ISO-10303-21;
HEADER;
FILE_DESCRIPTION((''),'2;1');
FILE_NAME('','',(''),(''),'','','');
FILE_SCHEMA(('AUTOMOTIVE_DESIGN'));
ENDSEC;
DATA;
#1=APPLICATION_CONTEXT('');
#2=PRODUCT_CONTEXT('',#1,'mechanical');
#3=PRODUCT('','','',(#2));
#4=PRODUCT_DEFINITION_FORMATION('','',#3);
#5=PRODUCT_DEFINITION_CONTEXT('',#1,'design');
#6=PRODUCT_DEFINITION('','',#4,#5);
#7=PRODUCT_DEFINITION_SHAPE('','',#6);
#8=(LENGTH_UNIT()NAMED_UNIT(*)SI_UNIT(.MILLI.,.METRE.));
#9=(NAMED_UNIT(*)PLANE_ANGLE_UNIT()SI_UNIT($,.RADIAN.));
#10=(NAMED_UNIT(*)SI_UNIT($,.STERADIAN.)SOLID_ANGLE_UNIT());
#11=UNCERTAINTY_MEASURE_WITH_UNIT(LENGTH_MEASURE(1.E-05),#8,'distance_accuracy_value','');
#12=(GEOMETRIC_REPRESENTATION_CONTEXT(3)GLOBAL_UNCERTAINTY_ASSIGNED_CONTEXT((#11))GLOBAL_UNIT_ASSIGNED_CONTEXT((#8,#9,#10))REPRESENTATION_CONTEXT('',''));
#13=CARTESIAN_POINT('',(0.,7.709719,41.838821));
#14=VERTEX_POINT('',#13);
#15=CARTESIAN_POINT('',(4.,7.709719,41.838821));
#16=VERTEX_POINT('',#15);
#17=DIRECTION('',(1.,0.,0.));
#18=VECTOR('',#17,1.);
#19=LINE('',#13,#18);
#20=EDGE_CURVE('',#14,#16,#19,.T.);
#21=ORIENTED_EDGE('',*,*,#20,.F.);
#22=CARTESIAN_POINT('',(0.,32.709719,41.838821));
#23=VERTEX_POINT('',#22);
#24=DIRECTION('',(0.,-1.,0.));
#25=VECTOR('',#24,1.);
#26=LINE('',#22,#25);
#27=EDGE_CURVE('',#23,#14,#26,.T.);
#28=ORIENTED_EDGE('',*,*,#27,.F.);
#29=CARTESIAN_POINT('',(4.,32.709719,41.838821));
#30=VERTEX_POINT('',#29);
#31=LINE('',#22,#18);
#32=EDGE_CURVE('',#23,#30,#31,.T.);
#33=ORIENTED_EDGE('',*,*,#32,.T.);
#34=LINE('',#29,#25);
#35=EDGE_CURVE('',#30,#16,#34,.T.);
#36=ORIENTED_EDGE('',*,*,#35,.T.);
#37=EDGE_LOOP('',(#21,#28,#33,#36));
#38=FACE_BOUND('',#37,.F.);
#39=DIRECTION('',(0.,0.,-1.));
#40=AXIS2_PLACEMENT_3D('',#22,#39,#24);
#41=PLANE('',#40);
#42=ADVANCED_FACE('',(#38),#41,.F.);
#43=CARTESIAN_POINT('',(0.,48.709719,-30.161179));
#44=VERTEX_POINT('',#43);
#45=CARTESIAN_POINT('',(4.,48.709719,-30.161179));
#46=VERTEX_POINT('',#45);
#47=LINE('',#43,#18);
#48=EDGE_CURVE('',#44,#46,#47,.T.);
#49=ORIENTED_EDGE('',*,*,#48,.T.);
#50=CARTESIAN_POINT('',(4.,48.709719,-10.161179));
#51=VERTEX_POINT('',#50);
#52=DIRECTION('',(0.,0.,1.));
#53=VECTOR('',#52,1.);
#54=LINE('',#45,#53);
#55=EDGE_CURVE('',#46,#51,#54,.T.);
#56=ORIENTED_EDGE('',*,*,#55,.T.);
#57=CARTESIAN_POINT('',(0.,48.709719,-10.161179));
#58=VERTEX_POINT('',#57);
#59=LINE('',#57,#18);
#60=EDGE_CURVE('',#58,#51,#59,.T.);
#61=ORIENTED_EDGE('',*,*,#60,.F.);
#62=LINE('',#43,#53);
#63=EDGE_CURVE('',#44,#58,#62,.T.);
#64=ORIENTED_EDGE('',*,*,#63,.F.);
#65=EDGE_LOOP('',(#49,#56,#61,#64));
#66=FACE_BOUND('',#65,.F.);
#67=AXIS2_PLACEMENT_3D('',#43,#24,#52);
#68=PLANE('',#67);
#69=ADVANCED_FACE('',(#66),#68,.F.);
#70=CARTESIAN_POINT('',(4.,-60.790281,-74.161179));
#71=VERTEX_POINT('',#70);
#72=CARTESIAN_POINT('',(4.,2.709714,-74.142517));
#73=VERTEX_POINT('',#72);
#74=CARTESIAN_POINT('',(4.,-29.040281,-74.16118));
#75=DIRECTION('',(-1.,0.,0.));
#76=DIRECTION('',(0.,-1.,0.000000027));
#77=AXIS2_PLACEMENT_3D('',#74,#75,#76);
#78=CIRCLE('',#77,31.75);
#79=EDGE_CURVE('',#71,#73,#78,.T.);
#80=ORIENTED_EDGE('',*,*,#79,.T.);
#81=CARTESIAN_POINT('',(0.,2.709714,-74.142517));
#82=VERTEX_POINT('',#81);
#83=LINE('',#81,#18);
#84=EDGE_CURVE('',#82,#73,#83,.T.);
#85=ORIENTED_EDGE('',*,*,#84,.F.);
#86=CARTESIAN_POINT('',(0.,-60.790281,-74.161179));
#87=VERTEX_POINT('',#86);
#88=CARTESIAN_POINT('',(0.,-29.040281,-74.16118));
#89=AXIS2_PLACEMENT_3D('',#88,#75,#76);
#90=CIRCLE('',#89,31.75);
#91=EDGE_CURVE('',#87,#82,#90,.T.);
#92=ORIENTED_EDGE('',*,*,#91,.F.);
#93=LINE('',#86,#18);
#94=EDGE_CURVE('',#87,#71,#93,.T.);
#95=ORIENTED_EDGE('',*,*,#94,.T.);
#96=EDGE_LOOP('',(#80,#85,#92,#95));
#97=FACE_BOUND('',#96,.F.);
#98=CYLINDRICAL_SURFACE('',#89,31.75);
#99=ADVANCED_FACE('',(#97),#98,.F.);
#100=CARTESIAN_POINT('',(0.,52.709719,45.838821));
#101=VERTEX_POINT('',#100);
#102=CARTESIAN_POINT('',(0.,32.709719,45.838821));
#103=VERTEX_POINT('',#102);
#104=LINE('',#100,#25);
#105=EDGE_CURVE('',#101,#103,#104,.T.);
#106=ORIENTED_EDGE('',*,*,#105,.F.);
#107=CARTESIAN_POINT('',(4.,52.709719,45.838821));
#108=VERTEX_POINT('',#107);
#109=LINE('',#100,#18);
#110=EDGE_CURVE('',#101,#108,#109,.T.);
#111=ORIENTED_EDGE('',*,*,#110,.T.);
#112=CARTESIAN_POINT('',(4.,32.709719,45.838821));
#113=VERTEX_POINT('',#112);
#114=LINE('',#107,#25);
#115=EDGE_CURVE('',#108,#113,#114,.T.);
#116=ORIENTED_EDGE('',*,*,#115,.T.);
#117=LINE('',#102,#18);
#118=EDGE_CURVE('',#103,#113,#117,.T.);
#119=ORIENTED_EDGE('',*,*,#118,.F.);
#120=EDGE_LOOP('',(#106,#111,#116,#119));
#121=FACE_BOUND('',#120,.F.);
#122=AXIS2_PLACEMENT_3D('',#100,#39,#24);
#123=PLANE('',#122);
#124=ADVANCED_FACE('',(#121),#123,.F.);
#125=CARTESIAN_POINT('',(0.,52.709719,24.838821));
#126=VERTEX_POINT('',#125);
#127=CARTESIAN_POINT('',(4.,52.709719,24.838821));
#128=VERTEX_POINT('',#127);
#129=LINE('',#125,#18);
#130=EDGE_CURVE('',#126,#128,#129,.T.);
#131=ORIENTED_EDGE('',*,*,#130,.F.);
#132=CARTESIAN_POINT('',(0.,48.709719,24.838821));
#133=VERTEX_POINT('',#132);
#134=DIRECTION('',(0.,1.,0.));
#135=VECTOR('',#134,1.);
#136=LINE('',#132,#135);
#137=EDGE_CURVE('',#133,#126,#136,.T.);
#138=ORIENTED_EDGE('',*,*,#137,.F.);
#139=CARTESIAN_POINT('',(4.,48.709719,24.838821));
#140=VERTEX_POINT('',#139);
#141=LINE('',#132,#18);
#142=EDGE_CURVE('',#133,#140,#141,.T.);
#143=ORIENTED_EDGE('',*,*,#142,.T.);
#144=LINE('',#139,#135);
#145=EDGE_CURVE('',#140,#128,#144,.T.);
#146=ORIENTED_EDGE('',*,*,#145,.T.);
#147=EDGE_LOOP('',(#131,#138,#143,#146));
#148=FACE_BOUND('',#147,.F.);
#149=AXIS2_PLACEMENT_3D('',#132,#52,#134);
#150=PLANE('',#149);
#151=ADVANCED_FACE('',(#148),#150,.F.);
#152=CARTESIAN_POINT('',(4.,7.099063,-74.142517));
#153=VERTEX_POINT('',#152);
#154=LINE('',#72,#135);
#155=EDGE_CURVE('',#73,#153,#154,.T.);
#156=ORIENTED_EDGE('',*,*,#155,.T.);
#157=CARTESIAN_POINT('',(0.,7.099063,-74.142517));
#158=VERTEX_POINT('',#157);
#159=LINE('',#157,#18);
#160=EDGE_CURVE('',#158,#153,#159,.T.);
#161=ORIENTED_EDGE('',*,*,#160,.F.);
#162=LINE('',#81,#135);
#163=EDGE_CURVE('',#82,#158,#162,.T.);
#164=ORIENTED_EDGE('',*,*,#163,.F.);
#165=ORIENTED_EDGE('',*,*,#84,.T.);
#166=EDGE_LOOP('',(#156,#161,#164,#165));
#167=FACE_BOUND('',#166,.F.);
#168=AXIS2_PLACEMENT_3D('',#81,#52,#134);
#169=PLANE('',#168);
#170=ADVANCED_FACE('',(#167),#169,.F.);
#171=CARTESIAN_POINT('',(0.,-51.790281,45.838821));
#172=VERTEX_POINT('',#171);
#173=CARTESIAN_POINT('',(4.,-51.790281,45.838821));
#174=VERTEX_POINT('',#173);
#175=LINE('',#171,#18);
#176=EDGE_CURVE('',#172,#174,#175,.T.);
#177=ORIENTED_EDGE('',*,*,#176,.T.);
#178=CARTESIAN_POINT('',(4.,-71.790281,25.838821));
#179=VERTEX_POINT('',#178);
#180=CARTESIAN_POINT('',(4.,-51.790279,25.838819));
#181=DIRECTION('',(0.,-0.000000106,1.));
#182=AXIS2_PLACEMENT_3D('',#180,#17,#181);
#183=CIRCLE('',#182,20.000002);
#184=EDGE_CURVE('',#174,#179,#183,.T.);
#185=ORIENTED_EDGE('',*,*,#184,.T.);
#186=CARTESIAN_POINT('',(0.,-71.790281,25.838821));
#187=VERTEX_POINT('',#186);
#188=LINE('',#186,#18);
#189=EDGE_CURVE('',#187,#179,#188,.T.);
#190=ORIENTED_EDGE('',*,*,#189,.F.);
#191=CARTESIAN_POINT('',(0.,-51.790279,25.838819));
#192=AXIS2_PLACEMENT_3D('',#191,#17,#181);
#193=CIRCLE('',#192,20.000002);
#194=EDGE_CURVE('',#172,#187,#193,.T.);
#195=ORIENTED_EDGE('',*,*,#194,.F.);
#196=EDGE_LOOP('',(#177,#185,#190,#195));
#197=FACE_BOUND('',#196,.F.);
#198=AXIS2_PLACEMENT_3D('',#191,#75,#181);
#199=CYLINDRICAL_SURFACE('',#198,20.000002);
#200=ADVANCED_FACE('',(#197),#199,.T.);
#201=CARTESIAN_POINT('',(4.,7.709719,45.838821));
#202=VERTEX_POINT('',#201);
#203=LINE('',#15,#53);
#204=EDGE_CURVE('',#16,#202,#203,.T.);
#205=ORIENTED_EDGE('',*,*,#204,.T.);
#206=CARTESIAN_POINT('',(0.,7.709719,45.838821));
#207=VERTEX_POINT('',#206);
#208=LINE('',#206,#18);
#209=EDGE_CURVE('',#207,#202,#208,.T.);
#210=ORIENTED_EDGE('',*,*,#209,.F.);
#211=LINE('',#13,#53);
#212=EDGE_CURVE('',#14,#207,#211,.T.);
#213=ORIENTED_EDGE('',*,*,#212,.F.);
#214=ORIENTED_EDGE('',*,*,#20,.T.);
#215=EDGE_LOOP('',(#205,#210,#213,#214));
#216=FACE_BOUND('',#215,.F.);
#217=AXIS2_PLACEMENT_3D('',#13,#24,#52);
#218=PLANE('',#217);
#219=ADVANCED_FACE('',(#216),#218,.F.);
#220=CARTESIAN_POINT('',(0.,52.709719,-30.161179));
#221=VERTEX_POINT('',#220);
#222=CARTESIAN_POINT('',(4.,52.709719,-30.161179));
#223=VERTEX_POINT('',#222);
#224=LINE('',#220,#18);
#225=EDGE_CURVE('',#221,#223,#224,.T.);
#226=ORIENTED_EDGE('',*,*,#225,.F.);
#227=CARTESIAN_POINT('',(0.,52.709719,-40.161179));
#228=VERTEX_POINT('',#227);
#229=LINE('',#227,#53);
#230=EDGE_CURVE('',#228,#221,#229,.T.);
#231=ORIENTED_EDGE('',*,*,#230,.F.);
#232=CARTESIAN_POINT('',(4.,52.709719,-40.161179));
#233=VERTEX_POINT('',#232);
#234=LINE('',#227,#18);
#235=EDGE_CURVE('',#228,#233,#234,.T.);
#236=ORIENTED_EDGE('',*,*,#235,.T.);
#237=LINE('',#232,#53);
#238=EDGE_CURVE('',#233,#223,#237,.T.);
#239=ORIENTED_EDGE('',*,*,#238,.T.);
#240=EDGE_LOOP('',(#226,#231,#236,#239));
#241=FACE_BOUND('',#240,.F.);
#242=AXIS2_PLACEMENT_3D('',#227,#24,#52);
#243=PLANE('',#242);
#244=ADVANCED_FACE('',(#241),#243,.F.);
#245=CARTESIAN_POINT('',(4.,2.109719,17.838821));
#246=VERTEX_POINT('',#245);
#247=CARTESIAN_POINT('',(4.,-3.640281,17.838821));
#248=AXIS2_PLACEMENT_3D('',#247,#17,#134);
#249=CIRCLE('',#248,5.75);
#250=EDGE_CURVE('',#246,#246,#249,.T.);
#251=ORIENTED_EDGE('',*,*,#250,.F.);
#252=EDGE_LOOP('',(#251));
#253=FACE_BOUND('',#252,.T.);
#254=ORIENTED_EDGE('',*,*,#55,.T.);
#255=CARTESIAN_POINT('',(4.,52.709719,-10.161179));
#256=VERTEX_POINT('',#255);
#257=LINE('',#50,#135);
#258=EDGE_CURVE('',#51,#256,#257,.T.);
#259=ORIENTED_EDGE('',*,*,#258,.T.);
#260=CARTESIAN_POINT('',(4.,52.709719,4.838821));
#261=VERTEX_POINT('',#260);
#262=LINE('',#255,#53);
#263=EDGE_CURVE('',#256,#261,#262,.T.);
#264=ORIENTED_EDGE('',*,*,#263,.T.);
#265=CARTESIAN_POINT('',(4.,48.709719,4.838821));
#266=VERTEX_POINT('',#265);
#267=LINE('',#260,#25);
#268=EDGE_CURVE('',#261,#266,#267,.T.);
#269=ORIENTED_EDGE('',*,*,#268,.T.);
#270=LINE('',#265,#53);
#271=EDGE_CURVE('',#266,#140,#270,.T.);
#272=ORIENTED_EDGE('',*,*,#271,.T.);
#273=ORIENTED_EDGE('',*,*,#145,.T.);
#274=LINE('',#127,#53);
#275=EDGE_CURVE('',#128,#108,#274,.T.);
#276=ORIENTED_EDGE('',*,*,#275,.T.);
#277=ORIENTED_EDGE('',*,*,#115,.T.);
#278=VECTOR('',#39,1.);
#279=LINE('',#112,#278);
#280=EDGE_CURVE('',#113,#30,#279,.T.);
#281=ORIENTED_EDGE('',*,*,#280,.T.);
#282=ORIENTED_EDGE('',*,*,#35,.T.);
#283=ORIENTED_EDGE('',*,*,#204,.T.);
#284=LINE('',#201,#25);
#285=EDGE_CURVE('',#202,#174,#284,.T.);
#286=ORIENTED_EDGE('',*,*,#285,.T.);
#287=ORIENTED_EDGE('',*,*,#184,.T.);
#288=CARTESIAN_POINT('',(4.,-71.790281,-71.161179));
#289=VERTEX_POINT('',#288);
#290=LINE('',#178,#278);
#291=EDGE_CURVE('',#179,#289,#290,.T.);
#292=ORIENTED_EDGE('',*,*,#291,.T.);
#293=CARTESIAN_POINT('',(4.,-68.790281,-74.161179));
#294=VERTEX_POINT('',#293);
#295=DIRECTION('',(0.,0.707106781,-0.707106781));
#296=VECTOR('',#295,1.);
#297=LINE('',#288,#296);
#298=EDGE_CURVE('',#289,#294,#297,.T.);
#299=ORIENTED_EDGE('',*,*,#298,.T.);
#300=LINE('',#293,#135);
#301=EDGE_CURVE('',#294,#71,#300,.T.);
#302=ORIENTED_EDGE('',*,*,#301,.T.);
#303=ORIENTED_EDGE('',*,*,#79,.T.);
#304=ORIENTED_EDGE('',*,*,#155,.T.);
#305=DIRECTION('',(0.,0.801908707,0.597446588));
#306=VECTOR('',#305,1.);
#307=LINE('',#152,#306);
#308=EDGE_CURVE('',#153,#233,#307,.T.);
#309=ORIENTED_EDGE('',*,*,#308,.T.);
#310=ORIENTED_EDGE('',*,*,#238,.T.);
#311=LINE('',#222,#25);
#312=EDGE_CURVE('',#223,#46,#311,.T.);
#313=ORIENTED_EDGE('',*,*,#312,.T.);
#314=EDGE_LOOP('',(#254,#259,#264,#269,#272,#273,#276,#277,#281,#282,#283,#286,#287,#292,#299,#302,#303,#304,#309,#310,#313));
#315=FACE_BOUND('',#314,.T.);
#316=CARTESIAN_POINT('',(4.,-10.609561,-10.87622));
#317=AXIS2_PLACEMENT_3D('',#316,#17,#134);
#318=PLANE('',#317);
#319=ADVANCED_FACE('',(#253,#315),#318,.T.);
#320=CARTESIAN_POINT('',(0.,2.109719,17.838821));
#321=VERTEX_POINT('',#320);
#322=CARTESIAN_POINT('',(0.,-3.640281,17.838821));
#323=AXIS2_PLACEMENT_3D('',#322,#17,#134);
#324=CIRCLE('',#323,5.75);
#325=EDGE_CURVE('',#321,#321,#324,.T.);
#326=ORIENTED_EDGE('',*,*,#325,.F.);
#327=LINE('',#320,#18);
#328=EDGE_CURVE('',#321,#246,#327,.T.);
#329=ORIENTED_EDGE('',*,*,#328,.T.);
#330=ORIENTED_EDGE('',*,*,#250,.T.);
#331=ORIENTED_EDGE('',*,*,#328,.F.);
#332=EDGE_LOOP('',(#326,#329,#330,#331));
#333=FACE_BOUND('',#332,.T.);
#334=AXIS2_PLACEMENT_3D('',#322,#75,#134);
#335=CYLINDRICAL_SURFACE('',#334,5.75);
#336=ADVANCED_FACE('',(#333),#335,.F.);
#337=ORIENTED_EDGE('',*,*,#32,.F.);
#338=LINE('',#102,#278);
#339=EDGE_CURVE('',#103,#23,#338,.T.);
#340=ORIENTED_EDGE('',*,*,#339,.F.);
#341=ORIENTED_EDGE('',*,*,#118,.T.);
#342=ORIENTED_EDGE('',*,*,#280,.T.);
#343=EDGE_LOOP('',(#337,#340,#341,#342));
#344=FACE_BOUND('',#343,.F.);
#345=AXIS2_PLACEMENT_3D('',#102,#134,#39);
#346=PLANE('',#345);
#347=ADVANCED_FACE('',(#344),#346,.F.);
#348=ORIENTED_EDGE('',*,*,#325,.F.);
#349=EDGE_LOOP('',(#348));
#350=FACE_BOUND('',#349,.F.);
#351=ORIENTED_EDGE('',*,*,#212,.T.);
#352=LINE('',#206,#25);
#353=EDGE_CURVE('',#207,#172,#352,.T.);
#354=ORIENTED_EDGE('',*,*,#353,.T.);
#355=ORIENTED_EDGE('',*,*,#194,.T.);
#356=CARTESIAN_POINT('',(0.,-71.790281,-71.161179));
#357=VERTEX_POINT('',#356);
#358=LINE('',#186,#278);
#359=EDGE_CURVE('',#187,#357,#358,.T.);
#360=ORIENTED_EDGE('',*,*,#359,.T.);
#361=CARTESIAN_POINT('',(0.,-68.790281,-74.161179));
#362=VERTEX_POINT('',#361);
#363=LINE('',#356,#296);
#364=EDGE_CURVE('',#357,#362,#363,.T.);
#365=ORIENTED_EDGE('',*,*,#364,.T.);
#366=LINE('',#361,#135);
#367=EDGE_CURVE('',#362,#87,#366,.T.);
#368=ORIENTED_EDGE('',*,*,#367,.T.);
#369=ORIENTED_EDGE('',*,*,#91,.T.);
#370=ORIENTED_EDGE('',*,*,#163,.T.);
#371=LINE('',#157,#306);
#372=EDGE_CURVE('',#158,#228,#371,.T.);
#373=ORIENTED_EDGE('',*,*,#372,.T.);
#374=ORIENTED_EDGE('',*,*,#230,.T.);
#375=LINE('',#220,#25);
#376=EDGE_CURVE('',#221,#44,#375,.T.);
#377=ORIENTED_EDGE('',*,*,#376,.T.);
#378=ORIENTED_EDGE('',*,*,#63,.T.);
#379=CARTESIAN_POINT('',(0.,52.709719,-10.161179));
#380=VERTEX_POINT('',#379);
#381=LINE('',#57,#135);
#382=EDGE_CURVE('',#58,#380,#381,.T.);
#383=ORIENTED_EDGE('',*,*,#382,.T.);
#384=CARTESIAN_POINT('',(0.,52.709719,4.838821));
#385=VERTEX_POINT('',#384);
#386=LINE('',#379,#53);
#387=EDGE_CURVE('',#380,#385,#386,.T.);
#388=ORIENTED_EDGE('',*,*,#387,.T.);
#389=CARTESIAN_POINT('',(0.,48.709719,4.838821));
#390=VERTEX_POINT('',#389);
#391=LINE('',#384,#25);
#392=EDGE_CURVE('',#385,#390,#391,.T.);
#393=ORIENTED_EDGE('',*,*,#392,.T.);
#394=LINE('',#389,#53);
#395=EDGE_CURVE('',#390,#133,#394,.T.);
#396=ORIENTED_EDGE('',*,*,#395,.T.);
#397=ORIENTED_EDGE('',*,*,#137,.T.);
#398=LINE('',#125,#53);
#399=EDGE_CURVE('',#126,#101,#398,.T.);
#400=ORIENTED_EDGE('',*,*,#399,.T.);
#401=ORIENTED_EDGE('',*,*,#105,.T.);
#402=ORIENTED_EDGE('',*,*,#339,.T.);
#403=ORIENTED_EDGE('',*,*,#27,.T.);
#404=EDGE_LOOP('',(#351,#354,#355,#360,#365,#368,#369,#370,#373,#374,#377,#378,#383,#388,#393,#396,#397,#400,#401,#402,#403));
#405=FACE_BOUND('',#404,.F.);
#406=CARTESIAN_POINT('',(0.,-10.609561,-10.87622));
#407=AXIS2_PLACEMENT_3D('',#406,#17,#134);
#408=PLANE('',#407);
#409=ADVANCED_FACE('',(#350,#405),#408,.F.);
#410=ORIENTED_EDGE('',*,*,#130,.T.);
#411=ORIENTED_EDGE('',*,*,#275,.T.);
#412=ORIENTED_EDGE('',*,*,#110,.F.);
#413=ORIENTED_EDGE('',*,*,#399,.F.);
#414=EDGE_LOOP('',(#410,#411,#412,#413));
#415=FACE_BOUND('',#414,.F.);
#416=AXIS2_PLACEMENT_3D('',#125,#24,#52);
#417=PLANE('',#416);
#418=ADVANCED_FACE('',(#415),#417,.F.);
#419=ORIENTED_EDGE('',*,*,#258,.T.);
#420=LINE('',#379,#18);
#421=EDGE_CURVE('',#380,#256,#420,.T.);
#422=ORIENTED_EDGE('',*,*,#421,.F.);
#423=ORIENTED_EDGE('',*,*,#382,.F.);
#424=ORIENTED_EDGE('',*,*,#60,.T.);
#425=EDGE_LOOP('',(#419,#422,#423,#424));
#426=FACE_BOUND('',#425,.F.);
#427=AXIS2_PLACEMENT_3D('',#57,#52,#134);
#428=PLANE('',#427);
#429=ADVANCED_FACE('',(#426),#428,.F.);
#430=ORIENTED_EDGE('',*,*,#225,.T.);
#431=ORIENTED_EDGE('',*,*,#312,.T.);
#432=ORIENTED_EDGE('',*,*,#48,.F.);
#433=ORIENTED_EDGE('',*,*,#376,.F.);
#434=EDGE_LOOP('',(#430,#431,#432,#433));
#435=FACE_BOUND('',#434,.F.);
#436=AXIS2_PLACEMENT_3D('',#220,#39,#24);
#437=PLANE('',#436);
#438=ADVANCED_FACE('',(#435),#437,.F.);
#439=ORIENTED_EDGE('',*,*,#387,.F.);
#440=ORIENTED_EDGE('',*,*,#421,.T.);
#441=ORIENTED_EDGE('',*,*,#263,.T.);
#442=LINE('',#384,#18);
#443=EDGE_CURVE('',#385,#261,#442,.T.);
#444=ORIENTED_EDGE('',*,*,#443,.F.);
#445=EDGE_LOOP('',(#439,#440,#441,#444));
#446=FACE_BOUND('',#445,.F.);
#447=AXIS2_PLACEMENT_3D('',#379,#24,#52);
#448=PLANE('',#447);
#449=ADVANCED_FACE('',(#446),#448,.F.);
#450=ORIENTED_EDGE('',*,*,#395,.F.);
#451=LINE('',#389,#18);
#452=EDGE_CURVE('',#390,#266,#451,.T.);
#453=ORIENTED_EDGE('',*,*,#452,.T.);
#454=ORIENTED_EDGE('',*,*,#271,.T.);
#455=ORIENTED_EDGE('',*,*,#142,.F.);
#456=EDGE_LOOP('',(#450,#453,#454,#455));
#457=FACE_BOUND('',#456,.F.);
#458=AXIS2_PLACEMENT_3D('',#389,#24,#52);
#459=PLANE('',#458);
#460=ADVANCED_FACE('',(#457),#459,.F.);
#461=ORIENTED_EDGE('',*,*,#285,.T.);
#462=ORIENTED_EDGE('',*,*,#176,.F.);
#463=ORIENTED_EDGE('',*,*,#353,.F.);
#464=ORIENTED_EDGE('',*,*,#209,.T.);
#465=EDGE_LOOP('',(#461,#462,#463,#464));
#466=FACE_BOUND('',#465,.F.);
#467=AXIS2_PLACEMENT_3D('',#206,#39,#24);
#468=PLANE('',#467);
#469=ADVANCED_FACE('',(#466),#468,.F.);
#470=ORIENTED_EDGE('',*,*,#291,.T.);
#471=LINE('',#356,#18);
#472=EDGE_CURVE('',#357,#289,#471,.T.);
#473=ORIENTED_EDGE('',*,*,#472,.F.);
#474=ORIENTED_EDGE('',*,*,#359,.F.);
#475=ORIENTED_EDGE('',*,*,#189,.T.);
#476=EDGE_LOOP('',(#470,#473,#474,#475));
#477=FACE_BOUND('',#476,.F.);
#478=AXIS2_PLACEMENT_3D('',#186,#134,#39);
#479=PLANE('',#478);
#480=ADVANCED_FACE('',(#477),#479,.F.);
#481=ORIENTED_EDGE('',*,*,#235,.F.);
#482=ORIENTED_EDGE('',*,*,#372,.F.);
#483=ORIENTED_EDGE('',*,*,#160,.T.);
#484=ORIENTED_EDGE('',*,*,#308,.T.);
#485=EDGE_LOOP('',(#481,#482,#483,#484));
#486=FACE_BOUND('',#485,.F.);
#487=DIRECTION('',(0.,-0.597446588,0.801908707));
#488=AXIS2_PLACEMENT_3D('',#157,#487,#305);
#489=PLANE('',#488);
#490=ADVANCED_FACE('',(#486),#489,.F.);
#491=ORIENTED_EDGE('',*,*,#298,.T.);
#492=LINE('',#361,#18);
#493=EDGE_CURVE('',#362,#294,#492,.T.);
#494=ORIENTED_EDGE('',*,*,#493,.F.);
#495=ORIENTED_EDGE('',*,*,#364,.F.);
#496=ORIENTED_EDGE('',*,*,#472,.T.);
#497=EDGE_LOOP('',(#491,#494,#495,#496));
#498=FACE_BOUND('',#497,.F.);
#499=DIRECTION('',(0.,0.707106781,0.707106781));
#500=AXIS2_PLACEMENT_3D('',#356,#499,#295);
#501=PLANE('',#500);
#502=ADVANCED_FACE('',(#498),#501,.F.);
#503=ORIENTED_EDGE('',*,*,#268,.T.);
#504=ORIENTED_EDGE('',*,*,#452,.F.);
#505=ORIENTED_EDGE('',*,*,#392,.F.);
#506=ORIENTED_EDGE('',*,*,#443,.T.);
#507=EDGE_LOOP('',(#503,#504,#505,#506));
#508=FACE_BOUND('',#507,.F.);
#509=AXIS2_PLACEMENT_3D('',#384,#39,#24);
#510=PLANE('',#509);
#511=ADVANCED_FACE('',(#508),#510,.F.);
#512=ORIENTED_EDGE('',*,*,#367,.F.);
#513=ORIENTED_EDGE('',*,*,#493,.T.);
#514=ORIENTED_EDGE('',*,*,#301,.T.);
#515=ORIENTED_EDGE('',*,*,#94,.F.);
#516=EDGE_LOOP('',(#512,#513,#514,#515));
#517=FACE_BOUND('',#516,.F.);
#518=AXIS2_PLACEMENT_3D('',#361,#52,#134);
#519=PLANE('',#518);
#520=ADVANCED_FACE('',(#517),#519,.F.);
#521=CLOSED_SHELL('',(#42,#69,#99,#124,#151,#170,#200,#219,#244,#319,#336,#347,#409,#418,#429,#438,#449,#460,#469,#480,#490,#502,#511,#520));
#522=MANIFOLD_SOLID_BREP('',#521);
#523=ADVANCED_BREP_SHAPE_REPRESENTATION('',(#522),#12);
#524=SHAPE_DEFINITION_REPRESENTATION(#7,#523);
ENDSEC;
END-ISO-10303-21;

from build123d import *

# Parameters (mm, degrees)
F0_R     = 5.75
F1_DEPTH = 4


with BuildPart() as f1:
    # F0 (on Right) → F1 (new body)
    with BuildSketch(Plane.YZ):
        with BuildLine():
            ThreePointArc((-60.790281, -74.161179), (-29.049612, -42.411181), (2.709714, -74.142517))
            Line((2.709714, -74.142517), (7.099063, -74.142517))
            Line((7.099063, -74.142517), (52.709719, -40.161179))
            Line((52.709719, -40.161179), (52.709719, -30.161179))
            Line((52.709719, -30.161179), (48.709719, -30.161179))
            Line((48.709719, -30.161179), (48.709719, -10.161179))
            Line((48.709719, -10.161179), (52.709719, -10.161179))
            Line((52.709719, -10.161179), (52.709719, 4.838821))
            Line((52.709719, 4.838821), (48.709719, 4.838821))
            Line((48.709719, 4.838821), (48.709719, 24.838821))
            Line((48.709719, 24.838821), (52.709719, 24.838821))
            Line((52.709719, 24.838821), (52.709719, 45.838821))
            Line((52.709719, 45.838821), (32.709719, 45.838821))
            Line((32.709719, 45.838821), (32.709719, 41.838821))
            Line((32.709719, 41.838821), (7.709719, 41.838821))
            Line((7.709719, 41.838821), (7.709719, 45.838821))
            Line((7.709719, 45.838821), (-51.790281, 45.838821))
            ThreePointArc((-51.790281, 45.838821), (-65.932416, 39.980956), (-71.790281, 25.838821))
            Line((-71.790281, 25.838821), (-71.790281, -71.161179))
            Line((-71.790281, -71.161179), (-68.790281, -74.161179))
            Line((-68.790281, -74.161179), (-60.790281, -74.161179))
        make_face()
        with Locations((-3.640281, 17.838821)):
            Circle(F0_R, mode=Mode.SUBTRACT)
    extrude(amount=F1_DEPTH)


solid = f1.part
